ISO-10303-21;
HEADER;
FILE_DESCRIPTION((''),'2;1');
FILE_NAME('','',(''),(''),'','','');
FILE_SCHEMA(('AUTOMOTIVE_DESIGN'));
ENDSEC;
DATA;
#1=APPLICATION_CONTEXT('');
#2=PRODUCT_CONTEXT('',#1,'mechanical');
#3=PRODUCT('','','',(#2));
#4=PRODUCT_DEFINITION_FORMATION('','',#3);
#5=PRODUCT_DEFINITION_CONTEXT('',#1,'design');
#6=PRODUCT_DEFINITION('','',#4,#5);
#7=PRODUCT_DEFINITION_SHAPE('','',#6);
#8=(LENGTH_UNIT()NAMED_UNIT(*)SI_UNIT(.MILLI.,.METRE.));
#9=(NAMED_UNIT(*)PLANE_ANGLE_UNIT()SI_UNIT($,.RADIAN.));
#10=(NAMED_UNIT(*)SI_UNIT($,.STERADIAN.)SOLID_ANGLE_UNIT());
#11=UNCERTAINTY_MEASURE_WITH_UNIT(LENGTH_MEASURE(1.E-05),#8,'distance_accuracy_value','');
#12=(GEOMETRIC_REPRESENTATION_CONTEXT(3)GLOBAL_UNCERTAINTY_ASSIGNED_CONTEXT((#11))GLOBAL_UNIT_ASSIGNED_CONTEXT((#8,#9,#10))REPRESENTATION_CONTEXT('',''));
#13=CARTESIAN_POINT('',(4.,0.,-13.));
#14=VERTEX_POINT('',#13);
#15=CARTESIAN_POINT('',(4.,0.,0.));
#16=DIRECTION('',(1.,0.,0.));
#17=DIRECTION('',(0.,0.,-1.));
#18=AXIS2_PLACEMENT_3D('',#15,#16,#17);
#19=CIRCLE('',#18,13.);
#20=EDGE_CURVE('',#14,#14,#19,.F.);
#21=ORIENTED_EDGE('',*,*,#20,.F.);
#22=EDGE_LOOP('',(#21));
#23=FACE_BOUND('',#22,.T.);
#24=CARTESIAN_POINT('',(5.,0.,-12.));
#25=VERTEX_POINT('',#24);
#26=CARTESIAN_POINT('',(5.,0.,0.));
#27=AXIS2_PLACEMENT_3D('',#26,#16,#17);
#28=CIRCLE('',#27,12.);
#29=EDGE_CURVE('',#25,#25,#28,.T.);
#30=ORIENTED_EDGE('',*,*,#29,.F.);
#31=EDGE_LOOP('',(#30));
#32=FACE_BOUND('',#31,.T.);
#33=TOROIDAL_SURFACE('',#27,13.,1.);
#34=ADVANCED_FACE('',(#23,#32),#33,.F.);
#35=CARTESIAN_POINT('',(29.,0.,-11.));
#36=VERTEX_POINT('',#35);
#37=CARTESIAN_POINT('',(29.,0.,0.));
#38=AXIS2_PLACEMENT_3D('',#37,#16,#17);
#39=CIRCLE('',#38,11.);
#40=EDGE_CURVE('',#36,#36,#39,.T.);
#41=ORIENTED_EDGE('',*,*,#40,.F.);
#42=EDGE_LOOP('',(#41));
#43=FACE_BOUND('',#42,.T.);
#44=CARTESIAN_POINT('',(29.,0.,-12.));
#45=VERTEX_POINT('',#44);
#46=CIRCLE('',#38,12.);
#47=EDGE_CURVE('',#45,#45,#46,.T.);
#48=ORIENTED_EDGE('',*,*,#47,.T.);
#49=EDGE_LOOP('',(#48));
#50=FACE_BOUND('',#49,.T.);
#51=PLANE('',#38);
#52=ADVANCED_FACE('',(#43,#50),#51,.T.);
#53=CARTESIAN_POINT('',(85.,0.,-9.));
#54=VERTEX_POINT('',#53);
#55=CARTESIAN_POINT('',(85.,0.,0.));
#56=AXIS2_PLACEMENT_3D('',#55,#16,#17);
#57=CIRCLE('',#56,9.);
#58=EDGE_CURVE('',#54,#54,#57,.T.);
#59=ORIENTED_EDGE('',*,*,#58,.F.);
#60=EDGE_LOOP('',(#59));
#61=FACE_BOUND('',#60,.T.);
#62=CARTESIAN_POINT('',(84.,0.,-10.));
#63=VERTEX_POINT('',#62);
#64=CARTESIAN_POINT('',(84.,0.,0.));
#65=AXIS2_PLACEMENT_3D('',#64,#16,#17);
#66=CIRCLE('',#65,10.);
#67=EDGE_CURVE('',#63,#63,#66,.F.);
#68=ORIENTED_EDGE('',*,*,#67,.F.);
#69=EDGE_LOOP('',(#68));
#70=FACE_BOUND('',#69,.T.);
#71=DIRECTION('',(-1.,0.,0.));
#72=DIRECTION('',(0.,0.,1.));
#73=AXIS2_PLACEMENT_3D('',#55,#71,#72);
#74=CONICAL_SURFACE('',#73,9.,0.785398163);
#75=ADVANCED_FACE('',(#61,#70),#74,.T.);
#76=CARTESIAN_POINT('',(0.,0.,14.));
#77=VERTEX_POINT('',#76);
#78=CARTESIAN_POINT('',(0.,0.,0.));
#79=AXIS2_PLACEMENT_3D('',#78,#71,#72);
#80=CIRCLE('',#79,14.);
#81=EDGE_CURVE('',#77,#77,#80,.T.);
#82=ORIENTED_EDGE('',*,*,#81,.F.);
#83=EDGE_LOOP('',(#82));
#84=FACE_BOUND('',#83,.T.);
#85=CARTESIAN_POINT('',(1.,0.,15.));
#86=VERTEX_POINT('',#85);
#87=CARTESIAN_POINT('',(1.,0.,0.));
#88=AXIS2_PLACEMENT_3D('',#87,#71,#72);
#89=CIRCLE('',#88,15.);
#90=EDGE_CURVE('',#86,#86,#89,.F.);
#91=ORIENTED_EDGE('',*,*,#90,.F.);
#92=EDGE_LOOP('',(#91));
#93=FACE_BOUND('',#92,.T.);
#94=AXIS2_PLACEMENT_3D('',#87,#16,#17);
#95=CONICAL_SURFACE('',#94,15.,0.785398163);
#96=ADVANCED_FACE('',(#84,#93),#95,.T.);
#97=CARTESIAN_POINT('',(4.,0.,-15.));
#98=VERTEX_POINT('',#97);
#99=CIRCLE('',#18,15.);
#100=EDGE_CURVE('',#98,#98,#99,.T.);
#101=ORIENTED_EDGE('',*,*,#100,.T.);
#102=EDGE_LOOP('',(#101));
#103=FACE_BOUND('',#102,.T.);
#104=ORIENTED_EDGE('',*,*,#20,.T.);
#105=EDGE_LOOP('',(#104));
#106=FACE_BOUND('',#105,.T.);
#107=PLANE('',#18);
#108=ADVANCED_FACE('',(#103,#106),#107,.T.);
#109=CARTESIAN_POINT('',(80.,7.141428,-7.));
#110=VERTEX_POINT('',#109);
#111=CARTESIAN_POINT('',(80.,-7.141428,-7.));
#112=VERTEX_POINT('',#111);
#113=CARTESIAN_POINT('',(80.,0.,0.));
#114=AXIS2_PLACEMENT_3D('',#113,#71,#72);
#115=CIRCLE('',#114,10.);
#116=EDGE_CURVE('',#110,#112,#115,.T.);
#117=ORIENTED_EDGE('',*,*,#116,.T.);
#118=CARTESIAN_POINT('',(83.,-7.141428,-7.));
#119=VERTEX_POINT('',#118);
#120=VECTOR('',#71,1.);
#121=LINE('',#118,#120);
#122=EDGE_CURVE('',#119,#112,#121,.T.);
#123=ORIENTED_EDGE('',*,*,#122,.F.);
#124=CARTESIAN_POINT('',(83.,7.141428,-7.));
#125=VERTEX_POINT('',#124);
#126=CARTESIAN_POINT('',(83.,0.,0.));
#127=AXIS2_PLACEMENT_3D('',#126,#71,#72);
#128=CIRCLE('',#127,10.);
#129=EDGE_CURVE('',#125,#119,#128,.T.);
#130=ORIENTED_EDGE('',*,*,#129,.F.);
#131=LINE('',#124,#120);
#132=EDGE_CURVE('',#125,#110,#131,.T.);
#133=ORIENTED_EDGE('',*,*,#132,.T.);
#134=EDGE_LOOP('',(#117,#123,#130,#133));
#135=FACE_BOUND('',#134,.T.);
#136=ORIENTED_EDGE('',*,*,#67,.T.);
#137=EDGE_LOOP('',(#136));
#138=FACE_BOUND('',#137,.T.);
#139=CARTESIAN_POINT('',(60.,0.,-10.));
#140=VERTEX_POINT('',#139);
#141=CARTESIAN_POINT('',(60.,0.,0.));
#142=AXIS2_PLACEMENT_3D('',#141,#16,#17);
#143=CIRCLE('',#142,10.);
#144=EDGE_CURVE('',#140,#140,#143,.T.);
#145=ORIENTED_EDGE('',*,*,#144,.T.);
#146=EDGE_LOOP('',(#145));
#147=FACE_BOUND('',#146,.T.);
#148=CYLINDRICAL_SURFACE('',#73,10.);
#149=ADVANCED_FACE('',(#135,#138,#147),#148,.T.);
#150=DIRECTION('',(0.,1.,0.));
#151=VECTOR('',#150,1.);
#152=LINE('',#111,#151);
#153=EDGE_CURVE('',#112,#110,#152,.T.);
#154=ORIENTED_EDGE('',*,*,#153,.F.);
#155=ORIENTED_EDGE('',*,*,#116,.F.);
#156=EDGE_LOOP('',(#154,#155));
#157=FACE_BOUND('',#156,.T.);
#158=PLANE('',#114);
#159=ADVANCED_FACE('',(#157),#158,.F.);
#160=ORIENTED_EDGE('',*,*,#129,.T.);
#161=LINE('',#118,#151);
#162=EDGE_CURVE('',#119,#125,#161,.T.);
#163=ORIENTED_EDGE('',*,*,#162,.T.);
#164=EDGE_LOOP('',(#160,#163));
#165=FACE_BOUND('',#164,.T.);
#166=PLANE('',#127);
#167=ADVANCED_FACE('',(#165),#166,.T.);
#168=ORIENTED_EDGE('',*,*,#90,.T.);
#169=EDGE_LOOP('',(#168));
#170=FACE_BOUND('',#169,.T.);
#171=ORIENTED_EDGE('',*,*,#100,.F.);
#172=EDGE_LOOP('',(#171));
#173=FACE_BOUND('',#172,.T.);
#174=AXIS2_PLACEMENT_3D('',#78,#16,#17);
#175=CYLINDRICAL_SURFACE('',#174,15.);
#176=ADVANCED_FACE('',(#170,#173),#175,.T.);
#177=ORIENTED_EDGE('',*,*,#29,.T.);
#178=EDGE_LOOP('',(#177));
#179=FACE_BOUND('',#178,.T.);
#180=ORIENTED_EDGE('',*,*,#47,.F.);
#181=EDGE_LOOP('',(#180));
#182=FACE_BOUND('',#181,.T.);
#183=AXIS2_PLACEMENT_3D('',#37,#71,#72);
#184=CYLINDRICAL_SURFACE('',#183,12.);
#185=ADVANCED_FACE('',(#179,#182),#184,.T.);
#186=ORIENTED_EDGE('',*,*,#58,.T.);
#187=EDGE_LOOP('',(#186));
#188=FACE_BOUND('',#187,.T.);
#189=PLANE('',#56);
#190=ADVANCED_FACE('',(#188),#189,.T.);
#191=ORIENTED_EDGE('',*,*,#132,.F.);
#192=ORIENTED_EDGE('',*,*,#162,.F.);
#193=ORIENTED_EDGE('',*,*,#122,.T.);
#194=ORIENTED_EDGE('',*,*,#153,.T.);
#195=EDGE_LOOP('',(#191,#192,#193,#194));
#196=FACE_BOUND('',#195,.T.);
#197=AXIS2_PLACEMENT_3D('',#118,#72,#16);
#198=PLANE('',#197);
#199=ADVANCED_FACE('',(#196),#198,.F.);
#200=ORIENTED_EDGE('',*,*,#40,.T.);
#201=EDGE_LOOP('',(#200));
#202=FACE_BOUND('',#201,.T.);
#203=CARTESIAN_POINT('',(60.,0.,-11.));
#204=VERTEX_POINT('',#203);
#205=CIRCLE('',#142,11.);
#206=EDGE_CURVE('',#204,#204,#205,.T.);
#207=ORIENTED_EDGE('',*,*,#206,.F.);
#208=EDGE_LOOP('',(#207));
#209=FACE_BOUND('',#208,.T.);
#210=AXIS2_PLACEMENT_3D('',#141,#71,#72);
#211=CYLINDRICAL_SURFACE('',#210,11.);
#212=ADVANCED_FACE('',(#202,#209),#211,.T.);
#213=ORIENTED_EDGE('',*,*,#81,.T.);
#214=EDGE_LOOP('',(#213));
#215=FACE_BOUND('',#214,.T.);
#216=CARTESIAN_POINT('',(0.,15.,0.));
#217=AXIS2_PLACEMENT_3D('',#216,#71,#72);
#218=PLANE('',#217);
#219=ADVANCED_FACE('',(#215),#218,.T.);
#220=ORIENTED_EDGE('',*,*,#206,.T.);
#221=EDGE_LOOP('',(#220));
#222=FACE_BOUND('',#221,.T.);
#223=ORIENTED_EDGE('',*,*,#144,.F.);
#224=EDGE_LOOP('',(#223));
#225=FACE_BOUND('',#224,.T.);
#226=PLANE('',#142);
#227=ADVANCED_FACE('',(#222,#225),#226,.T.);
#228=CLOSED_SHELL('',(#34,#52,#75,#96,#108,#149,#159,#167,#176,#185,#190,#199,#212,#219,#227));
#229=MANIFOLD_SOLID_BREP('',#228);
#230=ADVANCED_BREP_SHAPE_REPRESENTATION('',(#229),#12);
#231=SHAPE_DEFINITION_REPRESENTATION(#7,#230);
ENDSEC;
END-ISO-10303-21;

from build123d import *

# Parameters (mm, degrees)
SKETCH_1_W          = 4
SKETCH_1_H          = 15
SKETCH_2_R          = 12
EXTRUDE_1_DEPTH     = 25
SKETCH_3_R          = 11
EXTRUDE_2_DEPTH     = 31
SKETCH_4_R          = 10
EXTRUDE_3_DEPTH     = 25
CUT_EXTRUDE_1_DEPTH = 3
CHAMFER_1_SIZE      = 1
FILLET_1_R          = 1


with BuildPart() as part:
    # Эскиз1 → Повернуть1 (revolve)
    with BuildSketch(Plane.XY, mode=Mode.PRIVATE) as revolve_1_sk:
        with Locations((2, 7.5)):
            Rectangle(SKETCH_1_W, SKETCH_1_H)
    revolve(revolve_1_sk.sketch.rotate(Axis((0, 0, 0), (1, 0, 0)), 270), axis=Axis((0, 0, 0), (1, 0, 0)))

    # Эскиз2 → Бобышка-Вытянуть1 (add)
    with BuildSketch(Plane(origin=(4, 0, 0), x_dir=(0, 0, -1), z_dir=(1, 0, 0))):
        Circle(SKETCH_2_R)
    extrude(amount=EXTRUDE_1_DEPTH)

    # Эскиз3 → Бобышка-Вытянуть2 (add)
    with BuildSketch(Plane(origin=(29, 0, 0), x_dir=(0, 0, -1), z_dir=(1, 0, 0))):
        Circle(SKETCH_3_R)
    extrude(amount=EXTRUDE_2_DEPTH)

    # Эскиз4 → Бобышка-Вытянуть3 (add)
    with BuildSketch(Plane(origin=(60, 0, 0), x_dir=(0, 0, -1), z_dir=(1, 0, 0))):
        Circle(SKETCH_4_R)
    extrude(amount=EXTRUDE_3_DEPTH)

    # Эскиз5 → Вырез-Вытянуть1 (cut)
    with BuildSketch(Plane(origin=(80, 0, 0), x_dir=(0, -1, 0), z_dir=(-1, 0, 0))):
        with BuildLine():
            Line((7.141428429, -7), (-7.141428429, -7))
            ThreePointArc((-7.141428429, -7), (0, -10), (7.141428429, -7))
        make_face()
    extrude(amount=-CUT_EXTRUDE_1_DEPTH, mode=Mode.SUBTRACT)

    # Фаска1
    chamfer_1_edges = [part.edges().sort_by_distance(p)[0] for p in [
        (85, 0, 10),
        (0, 0, 15),
    ]]
    chamfer(chamfer_1_edges, length=CHAMFER_1_SIZE)

    # Скругление1
    fillet_1_edges = [part.edges().sort_by_distance(p)[0] for p in [
        (4, 0, 12),
    ]]
    fillet(fillet_1_edges, radius=FILLET_1_R)


solid = part.part
